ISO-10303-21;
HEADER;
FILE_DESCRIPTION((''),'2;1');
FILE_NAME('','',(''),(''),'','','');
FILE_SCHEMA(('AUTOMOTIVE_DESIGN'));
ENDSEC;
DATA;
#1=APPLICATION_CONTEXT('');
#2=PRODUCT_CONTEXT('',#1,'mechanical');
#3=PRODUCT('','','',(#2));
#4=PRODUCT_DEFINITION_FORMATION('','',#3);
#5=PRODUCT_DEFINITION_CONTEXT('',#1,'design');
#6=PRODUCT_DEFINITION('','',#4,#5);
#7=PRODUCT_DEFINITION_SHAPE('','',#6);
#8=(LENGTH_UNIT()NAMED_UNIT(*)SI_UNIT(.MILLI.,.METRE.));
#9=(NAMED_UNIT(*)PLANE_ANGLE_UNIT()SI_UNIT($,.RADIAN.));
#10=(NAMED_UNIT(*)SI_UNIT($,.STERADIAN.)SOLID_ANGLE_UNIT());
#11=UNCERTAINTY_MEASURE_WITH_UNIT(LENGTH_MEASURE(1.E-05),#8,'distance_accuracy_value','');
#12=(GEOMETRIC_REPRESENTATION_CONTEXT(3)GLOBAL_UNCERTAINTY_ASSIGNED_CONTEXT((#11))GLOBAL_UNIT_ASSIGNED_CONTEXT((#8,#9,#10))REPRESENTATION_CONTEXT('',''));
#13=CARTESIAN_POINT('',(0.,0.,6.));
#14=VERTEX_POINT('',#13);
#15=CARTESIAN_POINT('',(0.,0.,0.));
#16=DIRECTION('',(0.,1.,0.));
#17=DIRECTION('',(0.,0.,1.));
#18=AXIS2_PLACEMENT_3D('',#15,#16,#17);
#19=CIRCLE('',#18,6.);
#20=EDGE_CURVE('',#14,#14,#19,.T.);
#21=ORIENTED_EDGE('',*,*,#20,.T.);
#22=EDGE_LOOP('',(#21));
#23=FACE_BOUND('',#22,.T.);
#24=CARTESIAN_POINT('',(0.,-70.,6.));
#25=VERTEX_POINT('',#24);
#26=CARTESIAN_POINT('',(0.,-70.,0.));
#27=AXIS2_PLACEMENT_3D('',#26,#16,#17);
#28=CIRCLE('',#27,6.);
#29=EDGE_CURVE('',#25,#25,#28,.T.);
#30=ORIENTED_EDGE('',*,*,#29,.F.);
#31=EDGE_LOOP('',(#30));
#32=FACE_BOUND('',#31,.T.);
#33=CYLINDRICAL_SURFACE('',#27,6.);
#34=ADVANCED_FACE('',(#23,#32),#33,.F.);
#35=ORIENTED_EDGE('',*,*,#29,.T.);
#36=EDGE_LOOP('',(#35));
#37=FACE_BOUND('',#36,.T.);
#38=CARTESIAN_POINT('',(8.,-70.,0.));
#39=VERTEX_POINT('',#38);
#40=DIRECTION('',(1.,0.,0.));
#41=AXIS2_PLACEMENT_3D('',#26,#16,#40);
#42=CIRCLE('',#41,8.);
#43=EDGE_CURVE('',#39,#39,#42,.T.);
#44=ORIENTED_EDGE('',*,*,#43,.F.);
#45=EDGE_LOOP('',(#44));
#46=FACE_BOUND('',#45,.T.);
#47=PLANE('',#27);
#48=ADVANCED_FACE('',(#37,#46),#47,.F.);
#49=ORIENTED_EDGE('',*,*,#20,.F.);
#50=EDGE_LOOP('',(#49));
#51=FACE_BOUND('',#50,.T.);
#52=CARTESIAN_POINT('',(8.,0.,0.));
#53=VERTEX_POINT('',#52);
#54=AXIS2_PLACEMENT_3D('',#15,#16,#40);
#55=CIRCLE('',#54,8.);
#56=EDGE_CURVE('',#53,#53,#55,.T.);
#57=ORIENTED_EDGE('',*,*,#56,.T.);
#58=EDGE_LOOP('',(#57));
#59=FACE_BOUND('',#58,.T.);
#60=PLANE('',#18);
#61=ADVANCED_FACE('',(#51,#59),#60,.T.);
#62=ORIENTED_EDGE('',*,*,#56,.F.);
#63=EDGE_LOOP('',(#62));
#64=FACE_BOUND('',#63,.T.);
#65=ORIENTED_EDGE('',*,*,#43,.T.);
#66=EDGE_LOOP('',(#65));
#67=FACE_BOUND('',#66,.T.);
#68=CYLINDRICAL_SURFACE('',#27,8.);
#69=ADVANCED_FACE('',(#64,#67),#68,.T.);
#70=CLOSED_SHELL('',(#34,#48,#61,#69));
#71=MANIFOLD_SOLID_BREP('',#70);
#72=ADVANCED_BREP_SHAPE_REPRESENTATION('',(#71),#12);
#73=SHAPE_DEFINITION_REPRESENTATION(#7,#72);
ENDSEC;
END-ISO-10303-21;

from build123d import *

# Parameters (mm, degrees)
SKETCH_1_R      = 8
SKETCH_1_R_2    = 6
EXTRUDE_1_DEPTH = 70


with BuildPart() as part:
    # 草图1 → 拉伸-薄壁1 (new body)
    with BuildSketch(Plane(origin=(0, 0, 0), x_dir=(1, 0, 0), z_dir=(0, 1, 0))):
        Circle(SKETCH_1_R)
        Circle(SKETCH_1_R_2, mode=Mode.SUBTRACT)
    extrude(amount=-EXTRUDE_1_DEPTH)


solid = part.part
